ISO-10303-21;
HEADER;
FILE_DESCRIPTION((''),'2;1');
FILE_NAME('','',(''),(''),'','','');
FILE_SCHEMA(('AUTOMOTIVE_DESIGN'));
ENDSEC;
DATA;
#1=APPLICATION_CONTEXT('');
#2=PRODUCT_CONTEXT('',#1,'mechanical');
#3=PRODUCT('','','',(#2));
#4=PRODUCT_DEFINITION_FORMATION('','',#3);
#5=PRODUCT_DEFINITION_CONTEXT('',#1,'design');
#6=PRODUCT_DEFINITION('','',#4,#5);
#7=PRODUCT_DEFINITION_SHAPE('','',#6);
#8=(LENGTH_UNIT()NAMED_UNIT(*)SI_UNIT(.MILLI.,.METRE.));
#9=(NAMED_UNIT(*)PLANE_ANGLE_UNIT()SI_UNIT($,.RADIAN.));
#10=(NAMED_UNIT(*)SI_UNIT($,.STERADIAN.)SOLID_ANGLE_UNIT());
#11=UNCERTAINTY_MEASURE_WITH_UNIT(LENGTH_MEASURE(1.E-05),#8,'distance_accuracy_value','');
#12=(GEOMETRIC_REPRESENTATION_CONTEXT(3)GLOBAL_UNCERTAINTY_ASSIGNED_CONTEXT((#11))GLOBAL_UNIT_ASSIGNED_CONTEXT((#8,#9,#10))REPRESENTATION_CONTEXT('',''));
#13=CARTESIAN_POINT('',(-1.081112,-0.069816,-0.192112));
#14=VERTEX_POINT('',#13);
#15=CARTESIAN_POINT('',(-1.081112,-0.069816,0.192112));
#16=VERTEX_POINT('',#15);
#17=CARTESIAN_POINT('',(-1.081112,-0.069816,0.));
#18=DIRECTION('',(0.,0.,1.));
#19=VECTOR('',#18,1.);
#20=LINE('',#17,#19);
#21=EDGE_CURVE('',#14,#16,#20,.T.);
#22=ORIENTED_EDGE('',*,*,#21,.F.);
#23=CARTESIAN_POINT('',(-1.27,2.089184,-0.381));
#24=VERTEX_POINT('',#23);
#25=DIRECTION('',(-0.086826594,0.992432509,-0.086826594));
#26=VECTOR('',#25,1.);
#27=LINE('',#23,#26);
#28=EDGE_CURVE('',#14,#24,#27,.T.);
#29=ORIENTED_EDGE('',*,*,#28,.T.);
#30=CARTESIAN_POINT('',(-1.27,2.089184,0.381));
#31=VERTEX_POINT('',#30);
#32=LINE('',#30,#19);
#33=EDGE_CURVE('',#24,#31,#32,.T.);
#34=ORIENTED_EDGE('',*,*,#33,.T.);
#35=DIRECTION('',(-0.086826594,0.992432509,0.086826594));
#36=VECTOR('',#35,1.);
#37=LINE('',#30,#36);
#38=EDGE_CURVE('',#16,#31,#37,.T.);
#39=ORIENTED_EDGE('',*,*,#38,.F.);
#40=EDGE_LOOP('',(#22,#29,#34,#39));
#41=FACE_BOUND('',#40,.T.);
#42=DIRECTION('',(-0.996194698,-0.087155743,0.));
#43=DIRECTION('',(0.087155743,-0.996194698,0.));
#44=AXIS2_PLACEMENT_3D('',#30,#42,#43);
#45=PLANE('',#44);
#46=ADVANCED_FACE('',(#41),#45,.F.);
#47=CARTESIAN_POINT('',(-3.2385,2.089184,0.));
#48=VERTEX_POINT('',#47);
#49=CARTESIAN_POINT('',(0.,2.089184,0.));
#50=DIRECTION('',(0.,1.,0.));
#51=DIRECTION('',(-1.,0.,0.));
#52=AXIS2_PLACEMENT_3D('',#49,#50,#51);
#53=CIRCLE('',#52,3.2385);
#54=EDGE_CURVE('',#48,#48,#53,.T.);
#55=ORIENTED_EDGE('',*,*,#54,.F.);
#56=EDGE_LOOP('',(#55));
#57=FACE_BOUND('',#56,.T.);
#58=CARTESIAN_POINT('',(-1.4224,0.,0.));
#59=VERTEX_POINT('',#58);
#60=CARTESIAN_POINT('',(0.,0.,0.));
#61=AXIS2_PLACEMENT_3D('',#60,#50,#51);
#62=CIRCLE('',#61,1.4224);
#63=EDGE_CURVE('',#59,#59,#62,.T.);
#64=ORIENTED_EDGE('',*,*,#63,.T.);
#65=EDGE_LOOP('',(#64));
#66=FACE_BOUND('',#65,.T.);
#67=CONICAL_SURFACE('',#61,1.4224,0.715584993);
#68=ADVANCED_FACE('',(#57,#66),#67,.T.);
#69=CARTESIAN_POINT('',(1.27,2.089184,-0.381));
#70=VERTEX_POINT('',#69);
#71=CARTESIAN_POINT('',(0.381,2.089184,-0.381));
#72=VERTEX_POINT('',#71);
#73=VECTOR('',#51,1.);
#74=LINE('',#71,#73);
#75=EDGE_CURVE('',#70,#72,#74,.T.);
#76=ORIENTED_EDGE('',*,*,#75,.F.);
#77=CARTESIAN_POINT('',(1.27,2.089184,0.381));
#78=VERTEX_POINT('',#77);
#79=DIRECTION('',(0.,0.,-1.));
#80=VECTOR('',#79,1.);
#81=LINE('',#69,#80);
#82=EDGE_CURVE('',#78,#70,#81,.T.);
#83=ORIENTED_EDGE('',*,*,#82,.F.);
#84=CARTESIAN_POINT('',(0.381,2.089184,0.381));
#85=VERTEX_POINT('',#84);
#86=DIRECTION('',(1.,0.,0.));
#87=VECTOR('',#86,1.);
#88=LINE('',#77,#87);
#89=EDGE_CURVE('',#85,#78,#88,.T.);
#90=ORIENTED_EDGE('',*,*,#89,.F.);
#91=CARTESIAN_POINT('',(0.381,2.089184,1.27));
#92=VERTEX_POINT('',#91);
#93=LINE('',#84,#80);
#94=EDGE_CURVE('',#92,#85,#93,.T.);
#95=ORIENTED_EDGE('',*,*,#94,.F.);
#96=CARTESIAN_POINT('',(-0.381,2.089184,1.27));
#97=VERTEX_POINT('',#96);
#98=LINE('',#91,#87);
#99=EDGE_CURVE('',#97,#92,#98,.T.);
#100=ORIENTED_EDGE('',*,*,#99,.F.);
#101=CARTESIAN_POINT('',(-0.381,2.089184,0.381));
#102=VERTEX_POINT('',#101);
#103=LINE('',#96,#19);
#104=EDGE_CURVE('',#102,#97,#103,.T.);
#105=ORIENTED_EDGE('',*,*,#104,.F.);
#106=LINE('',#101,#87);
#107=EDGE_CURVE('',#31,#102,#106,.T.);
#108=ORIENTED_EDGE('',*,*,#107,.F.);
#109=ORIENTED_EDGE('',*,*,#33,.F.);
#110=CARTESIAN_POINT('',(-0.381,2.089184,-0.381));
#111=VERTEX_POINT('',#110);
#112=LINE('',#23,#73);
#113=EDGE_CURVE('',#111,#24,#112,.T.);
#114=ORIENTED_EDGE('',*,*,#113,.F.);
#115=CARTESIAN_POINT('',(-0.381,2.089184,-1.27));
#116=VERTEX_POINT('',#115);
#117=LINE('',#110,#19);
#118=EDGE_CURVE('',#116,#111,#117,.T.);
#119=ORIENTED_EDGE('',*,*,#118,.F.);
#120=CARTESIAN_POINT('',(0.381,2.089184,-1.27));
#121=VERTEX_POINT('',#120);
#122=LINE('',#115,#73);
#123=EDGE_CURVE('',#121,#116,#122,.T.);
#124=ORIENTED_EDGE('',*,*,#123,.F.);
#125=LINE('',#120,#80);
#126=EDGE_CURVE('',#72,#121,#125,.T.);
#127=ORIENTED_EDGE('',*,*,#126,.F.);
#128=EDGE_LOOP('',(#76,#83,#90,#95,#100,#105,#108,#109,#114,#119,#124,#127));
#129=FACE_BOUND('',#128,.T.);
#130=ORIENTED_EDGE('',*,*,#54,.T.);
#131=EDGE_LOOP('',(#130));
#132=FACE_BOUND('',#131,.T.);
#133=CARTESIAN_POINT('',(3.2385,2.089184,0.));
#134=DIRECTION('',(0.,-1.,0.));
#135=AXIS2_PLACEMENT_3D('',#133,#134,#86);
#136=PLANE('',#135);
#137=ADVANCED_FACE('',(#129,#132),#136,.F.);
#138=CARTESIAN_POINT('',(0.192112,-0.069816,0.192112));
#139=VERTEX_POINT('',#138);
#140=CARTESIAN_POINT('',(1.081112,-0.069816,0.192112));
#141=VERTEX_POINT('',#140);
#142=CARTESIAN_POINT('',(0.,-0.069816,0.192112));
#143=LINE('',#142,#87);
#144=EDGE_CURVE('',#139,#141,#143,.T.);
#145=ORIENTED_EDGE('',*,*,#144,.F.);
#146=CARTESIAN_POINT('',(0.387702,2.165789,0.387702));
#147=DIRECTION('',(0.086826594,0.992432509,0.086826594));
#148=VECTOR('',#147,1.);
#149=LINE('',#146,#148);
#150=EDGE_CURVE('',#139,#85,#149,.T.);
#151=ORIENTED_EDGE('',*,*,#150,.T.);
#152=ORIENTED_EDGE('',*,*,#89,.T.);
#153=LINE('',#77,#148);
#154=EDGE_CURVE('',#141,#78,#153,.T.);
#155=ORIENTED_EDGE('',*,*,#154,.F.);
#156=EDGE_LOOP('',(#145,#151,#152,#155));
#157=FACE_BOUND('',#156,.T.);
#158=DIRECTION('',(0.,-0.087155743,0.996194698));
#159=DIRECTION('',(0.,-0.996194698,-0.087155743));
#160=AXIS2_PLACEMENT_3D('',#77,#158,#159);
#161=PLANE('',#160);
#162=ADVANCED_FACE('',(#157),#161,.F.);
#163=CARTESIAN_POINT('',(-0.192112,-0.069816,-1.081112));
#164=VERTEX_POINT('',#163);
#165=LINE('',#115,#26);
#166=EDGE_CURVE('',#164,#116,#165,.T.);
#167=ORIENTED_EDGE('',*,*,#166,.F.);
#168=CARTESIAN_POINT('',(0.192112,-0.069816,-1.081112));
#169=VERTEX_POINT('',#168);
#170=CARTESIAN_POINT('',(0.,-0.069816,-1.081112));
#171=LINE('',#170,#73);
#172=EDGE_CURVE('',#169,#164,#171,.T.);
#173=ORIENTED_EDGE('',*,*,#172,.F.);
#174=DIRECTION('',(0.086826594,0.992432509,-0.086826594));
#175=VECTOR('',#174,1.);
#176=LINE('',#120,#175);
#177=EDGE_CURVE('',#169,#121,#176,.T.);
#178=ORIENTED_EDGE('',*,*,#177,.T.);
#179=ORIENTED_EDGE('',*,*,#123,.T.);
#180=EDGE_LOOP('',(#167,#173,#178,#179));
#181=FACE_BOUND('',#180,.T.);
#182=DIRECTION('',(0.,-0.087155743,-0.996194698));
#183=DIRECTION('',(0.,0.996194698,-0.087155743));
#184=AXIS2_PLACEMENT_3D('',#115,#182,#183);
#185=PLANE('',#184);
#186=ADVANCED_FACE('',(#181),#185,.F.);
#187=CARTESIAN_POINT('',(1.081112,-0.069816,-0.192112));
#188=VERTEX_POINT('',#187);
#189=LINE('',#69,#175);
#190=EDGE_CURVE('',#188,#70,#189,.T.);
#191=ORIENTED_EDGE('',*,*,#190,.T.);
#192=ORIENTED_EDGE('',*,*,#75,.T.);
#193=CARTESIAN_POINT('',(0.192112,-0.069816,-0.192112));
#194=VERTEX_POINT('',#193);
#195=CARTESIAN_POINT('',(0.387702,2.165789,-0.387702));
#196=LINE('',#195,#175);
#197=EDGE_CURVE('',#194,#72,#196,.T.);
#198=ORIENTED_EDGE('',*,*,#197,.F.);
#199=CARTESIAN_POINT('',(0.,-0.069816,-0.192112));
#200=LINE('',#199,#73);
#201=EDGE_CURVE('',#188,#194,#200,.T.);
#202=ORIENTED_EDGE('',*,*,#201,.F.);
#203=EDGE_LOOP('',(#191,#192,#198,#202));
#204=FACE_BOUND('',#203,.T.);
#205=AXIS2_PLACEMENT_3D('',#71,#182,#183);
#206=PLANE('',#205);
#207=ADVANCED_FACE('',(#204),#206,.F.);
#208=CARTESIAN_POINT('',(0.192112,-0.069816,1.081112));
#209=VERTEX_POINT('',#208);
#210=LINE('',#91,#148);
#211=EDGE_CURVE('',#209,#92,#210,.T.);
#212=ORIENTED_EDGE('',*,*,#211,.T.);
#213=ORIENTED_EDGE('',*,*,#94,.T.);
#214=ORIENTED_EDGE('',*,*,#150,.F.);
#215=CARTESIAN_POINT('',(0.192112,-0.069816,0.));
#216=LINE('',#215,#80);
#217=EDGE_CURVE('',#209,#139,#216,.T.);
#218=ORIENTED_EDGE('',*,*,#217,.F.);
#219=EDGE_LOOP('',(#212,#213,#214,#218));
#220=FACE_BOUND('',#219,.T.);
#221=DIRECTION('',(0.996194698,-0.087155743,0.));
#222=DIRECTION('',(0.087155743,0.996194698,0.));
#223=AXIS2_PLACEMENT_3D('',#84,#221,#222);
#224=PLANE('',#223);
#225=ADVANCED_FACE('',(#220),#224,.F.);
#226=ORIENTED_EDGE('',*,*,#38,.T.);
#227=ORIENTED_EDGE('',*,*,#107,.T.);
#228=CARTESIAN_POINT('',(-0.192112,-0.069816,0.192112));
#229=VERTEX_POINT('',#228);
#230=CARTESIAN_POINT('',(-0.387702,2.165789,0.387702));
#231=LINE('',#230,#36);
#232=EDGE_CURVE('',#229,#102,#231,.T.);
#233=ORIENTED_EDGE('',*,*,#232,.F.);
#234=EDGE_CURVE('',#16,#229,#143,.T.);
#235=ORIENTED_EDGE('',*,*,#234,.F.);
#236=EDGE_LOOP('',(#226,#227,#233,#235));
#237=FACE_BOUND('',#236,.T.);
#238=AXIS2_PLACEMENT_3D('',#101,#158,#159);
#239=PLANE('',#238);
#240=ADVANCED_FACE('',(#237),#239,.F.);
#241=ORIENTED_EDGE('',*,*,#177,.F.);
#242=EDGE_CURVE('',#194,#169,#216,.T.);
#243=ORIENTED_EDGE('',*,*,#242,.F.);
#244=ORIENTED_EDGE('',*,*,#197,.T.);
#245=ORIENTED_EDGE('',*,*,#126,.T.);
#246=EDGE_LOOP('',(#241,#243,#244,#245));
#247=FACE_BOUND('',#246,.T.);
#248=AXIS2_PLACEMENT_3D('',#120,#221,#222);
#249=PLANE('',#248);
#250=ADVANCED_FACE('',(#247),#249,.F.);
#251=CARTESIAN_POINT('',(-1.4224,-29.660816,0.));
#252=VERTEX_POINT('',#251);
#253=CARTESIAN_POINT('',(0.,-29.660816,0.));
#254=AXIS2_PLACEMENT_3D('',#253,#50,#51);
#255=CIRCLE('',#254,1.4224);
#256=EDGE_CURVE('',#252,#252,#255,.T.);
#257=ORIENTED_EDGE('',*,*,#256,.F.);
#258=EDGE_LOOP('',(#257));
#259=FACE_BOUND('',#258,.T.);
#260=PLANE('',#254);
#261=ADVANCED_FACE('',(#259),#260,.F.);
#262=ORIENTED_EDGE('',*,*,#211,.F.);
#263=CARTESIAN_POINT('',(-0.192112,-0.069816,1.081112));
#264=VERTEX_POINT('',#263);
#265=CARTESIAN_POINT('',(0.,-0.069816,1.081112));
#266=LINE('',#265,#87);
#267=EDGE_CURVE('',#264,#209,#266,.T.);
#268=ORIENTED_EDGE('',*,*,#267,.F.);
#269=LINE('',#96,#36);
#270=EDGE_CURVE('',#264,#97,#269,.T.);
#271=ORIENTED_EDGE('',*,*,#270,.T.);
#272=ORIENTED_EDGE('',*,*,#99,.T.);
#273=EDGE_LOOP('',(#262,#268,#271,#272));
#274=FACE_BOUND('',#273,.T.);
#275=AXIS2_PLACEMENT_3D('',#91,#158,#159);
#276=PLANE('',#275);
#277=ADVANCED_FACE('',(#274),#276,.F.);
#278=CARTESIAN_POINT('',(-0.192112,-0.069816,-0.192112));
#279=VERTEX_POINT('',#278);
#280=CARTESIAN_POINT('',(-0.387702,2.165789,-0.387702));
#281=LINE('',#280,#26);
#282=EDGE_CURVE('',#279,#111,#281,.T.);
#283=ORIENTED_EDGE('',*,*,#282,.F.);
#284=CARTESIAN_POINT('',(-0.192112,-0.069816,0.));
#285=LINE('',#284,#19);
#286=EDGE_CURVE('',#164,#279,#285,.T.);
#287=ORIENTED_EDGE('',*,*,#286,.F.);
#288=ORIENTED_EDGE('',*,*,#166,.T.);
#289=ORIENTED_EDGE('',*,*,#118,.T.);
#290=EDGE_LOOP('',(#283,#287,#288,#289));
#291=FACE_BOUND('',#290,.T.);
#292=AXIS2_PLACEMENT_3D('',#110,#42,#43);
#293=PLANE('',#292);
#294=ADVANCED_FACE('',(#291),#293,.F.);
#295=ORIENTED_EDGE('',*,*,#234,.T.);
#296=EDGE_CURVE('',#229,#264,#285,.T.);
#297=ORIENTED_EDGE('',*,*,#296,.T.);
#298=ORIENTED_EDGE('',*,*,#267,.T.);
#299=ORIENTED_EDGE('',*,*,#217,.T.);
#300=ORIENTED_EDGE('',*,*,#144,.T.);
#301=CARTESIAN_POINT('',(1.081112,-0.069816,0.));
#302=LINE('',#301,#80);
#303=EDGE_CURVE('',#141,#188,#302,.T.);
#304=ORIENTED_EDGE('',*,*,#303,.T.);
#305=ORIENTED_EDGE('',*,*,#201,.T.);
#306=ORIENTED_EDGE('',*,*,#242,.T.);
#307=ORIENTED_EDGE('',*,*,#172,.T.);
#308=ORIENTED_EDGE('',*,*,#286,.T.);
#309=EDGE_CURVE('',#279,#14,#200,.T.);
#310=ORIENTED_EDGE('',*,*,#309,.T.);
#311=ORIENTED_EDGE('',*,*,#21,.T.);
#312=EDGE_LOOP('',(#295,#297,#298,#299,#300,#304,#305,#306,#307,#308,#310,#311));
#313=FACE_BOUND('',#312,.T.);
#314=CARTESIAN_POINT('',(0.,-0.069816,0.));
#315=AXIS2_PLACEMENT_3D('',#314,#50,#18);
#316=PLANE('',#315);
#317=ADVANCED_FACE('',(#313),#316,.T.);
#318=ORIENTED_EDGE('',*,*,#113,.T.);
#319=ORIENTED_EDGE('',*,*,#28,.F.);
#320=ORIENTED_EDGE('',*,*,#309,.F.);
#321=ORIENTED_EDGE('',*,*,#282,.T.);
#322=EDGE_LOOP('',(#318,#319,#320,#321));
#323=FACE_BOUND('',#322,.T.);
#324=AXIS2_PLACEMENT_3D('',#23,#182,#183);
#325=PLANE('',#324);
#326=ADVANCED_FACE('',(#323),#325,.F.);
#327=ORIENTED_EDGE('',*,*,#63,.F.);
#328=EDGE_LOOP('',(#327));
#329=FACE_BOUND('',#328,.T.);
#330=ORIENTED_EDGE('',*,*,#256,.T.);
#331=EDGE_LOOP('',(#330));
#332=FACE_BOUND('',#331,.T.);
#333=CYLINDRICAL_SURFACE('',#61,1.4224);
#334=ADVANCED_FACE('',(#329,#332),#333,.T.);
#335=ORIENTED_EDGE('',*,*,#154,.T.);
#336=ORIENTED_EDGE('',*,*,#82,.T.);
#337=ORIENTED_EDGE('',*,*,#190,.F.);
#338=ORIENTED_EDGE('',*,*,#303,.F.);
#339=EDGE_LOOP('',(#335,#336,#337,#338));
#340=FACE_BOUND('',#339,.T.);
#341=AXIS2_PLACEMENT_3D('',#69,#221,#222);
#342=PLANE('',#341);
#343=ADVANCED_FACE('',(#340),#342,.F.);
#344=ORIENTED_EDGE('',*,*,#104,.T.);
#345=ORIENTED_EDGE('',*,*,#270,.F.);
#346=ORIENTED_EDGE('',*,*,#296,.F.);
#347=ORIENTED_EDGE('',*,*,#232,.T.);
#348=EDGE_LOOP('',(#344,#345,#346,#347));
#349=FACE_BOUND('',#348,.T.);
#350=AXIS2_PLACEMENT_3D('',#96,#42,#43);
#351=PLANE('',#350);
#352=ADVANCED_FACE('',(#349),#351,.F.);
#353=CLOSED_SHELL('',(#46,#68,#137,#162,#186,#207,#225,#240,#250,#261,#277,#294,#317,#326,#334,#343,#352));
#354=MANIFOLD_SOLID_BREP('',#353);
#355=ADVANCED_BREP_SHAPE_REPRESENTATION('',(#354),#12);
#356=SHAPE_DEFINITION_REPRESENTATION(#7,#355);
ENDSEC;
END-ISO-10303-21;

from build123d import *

# Parameters (mm, degrees)
CUT_EXTRUDE1_DEPTH = 2.159
CUT_EXTRUDE1_DRAFT = -5


with BuildPart() as part:
    # Sketch1 → Revolve1 (revolve)
    with BuildSketch(Plane.XY, mode=Mode.PRIVATE) as revolve1_sk:
        Polygon((1.4224, 0), (3.2385, 2.089184064), (0, 2.089184064), (0, 0), (0, -29.660815936), (1.4224, -29.660815936), align=None)
    revolve(revolve1_sk.sketch.rotate(Axis((0, 0, 0), (0, -1, 0)), 180), axis=Axis((0, 0, 0), (0, -1, 0)))


with BuildPart() as cut_extrude1_tool:
    # Sketch2 → Cut-Extrude1 (with draft: the straight prism first)
    with BuildSketch(Plane(origin=(0, 2.089184064, 0), x_dir=(1, 0, 0), z_dir=(0, 1, 0))):
        Polygon((-0.381, 1.27), (-0.381, 0.381), (-1.27, 0.381), (-1.27, -0.381), (-0.381, -0.381), (-0.381, -1.27), (0.381, -1.27), (0.381, -0.381), (1.27, -0.381), (1.27, 0.381), (0.381, 0.381), (0.381, 1.27), align=None)
    extrude(amount=-CUT_EXTRUDE1_DEPTH)
    # Cut-Extrude1: the draft: its side faces are tilted about the plane it starts from
    cut_extrude1_sides = [cut_extrude1_tool.faces().sort_by_distance(p)[0] for p in [
        (-0.381, 1.009684064, -0.8255),
        (-0.8255, 1.009684064, -0.381),
        (-1.27, 1.009684064, 0),
        (-0.8255, 1.009684064, 0.381),
        (-0.381, 1.009684064, 0.8255),
        (0, 1.009684064, 1.27),
        (0.381, 1.009684064, 0.8255),
        (0.8255, 1.009684064, 0.381),
        (1.27, 1.009684064, 0),
        (0.8255, 1.009684064, -0.381),
        (0.381, 1.009684064, -0.8255),
        (0, 1.009684064, -1.27),
    ]]
    draft(cut_extrude1_sides, Plane(origin=(0, 2.089184064, 0), x_dir=(1, 0, 0), z_dir=(0, 1, 0)), CUT_EXTRUDE1_DRAFT)


with BuildPart() as part_1:
    add(part.part)

    # Cut-Extrude1: cut by cut_extrude1_tool
    add(cut_extrude1_tool.part, mode=Mode.SUBTRACT)


solid = part_1.part
